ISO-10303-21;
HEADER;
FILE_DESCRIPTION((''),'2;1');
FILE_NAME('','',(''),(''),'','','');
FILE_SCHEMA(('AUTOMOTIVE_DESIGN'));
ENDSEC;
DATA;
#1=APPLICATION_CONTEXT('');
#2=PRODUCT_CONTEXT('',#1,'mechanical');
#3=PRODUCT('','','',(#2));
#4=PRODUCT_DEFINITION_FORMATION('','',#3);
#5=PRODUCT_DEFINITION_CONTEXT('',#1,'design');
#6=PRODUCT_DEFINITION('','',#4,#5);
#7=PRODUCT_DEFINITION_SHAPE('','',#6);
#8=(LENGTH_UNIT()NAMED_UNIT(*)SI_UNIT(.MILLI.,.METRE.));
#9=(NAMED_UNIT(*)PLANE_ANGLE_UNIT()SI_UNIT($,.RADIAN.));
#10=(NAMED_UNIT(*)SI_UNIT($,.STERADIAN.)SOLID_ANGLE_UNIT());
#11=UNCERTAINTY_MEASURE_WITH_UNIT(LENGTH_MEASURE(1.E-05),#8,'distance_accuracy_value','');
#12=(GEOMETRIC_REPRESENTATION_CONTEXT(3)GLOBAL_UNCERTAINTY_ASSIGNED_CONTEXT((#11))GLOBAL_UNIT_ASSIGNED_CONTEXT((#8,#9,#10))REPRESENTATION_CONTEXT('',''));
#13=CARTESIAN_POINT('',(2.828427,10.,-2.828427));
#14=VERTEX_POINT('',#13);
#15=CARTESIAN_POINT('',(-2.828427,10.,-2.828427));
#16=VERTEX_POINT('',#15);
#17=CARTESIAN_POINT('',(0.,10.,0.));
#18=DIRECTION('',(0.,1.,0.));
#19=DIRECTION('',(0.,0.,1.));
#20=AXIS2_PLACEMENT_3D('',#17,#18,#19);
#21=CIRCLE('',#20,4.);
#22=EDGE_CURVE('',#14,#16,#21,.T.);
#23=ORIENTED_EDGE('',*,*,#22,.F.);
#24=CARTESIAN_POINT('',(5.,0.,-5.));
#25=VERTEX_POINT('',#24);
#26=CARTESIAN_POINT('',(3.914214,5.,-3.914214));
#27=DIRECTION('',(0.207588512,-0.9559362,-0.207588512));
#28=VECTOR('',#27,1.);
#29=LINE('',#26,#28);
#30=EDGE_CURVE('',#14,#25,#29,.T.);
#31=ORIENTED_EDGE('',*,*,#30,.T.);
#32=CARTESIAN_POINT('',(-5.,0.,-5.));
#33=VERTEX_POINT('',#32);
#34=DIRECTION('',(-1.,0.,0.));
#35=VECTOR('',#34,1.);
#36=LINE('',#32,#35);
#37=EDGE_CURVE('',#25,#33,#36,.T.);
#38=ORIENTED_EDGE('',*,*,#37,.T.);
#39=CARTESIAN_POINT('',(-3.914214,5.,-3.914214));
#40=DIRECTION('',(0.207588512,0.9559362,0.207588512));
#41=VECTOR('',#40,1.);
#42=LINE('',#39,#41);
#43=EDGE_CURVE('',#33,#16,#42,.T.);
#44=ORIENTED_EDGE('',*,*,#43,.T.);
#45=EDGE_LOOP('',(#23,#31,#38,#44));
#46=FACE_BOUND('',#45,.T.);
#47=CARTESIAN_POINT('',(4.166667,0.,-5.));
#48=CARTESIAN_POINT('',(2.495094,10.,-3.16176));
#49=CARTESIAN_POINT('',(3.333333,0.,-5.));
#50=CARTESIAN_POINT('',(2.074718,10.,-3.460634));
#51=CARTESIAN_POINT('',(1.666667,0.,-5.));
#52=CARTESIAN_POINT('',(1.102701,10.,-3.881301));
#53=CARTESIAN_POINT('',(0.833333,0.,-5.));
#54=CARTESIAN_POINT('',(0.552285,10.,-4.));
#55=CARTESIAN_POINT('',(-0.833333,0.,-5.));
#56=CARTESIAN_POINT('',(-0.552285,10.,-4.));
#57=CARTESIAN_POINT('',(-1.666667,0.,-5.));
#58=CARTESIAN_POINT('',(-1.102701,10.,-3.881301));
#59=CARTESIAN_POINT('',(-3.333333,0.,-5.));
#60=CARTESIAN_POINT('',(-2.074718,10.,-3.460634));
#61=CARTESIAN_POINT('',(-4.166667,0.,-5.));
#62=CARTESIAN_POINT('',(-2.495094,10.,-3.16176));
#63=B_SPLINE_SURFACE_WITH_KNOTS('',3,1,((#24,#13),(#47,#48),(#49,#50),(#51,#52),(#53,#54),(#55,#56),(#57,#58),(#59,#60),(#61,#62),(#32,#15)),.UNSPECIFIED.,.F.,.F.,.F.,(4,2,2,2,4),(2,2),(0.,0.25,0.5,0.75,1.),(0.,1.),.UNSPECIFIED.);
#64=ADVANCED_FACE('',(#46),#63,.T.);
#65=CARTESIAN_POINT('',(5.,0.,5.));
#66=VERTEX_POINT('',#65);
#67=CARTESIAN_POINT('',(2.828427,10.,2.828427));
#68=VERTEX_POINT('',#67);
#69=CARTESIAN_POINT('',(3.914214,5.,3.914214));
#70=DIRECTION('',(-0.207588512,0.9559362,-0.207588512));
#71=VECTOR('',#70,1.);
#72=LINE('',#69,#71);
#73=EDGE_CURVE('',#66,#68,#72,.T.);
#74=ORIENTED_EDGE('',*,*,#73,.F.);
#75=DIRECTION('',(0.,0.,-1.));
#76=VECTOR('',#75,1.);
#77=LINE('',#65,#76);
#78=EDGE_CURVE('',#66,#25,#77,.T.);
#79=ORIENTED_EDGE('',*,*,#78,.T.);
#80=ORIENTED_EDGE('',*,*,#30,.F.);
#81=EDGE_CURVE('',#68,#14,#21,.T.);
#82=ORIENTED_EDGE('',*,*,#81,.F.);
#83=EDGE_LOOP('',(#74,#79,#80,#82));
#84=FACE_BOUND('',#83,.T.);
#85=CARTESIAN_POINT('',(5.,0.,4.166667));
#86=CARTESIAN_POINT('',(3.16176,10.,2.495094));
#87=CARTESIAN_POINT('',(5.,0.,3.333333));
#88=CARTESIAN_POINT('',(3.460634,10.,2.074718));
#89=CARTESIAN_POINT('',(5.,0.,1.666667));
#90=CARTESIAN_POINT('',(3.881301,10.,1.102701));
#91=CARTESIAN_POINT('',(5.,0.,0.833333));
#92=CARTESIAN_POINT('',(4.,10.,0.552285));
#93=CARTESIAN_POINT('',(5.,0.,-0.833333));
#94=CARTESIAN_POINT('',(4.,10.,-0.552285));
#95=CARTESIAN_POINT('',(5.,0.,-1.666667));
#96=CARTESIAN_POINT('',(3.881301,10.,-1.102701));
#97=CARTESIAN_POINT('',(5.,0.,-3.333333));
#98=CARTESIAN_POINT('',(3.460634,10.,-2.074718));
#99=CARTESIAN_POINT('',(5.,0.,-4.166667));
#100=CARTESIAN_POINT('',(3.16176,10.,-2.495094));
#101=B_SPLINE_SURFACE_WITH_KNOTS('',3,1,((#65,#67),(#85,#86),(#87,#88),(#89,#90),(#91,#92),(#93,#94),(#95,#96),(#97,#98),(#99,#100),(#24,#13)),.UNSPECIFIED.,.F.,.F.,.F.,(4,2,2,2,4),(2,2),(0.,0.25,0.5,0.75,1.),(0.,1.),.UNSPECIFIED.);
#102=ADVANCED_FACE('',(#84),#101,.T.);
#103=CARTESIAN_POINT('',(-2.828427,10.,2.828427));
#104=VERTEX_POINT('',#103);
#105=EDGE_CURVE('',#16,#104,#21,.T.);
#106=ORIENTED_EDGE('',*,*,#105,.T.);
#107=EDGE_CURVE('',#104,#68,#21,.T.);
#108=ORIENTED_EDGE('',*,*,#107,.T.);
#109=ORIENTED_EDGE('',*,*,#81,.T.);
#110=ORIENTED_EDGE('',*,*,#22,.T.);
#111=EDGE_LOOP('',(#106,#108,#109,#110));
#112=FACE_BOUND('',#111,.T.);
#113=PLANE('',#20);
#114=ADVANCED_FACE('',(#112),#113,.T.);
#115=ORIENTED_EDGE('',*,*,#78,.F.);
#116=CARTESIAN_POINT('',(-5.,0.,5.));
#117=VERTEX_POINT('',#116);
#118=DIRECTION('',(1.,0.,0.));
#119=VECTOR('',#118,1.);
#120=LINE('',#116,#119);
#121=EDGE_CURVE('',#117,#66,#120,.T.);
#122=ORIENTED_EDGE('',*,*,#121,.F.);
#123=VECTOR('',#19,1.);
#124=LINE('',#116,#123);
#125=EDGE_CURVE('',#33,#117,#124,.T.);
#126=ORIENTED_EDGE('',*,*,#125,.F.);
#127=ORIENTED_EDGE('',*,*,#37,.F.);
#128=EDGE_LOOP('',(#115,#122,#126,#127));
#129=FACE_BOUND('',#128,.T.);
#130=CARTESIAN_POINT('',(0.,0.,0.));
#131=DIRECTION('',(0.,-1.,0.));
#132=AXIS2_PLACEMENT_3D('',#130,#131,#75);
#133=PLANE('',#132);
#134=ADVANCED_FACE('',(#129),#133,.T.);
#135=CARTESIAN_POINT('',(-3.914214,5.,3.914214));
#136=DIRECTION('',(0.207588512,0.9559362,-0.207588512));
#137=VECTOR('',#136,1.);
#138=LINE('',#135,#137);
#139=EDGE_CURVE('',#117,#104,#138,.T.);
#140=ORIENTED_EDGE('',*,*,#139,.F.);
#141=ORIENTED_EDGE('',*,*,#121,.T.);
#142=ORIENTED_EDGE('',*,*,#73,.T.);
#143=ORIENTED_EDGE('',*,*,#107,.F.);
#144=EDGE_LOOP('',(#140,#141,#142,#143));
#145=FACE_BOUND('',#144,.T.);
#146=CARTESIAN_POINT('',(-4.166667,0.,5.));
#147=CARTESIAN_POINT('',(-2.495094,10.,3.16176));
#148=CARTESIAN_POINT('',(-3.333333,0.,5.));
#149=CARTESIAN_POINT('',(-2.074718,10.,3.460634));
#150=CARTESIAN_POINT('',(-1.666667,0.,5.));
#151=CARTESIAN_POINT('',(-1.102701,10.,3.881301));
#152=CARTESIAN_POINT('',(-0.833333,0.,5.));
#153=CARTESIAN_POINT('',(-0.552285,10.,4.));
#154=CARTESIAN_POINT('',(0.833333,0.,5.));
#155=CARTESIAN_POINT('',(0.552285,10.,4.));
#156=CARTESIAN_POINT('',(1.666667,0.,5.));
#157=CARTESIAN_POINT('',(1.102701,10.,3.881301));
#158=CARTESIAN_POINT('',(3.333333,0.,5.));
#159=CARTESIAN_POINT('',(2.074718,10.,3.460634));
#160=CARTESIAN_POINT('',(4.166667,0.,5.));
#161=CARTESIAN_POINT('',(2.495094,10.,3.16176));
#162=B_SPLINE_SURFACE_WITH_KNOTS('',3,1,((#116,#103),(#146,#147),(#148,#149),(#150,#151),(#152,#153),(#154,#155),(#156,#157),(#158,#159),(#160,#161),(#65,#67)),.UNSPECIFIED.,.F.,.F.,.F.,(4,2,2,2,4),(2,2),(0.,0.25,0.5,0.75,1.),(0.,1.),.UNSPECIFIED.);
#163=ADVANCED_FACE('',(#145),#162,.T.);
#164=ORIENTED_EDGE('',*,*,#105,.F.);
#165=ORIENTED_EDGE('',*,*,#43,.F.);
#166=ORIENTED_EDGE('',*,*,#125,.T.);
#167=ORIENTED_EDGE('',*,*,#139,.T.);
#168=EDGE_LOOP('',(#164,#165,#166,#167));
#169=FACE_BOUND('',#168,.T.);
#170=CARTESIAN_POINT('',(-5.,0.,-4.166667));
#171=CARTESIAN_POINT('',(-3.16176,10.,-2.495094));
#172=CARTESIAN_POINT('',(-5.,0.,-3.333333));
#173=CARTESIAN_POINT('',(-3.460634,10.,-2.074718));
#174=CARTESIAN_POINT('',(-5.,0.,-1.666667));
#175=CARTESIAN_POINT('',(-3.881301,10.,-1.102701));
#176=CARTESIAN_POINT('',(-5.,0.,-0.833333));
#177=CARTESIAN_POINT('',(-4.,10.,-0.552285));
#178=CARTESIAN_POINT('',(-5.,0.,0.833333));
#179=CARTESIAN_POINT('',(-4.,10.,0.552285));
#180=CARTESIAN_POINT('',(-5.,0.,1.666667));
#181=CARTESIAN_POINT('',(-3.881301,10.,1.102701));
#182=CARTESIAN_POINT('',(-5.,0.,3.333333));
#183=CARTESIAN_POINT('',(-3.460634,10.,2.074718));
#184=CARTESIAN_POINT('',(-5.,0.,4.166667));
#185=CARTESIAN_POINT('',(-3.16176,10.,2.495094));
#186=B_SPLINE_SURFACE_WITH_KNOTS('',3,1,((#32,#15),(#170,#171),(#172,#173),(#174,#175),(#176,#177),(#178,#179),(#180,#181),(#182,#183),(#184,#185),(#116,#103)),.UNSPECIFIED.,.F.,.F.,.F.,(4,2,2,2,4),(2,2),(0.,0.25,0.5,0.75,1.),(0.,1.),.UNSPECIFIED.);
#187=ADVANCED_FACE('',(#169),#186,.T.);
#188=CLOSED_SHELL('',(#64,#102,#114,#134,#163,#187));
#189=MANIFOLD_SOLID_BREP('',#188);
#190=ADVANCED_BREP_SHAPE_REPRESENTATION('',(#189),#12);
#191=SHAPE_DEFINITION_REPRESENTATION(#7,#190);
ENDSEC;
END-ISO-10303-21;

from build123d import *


with BuildPart() as part:
    # Sketch1 → Loft1 section 0
    with BuildSketch(Plane(origin=(0, 0, 0), x_dir=(1, 0, 0), z_dir=(0, 1, 0))):
        with BuildLine():
            Line((-5, -5), (5, -5))
            Line((5, -5), (5, 5))
            Line((5, 5), (-5, 5))
            Line((-5, 5), (-5, -5))
        make_face()
    # Sketch2 for Loft1 → Loft1 section 1
    with BuildSketch(Plane(origin=(0, 10, 0), x_dir=(1, 0, 0), z_dir=(0, 1, 0))):
        with BuildLine():
            # circular arc as an exact rational Bezier (weights 1, cos(half-angle), 1)
            Bezier((-2.828427125, -2.828427125), (0, -5.656854249), (2.828427125, -2.828427125), weights=[1, 0.707106781, 1])
            Bezier((2.828427125, -2.828427125), (5.656854249, 0), (2.828427125, 2.828427125), weights=[1, 0.707106781, 1])
            Bezier((2.828427125, 2.828427125), (0, 5.656854249), (-2.828427125, 2.828427125), weights=[1, 0.707106781, 1])
            Bezier((-2.828427125, 2.828427125), (-5.656854249, 0), (-2.828427125, -2.828427125), weights=[1, 0.707106781, 1])
        make_face()
    loft()


solid = part.part
